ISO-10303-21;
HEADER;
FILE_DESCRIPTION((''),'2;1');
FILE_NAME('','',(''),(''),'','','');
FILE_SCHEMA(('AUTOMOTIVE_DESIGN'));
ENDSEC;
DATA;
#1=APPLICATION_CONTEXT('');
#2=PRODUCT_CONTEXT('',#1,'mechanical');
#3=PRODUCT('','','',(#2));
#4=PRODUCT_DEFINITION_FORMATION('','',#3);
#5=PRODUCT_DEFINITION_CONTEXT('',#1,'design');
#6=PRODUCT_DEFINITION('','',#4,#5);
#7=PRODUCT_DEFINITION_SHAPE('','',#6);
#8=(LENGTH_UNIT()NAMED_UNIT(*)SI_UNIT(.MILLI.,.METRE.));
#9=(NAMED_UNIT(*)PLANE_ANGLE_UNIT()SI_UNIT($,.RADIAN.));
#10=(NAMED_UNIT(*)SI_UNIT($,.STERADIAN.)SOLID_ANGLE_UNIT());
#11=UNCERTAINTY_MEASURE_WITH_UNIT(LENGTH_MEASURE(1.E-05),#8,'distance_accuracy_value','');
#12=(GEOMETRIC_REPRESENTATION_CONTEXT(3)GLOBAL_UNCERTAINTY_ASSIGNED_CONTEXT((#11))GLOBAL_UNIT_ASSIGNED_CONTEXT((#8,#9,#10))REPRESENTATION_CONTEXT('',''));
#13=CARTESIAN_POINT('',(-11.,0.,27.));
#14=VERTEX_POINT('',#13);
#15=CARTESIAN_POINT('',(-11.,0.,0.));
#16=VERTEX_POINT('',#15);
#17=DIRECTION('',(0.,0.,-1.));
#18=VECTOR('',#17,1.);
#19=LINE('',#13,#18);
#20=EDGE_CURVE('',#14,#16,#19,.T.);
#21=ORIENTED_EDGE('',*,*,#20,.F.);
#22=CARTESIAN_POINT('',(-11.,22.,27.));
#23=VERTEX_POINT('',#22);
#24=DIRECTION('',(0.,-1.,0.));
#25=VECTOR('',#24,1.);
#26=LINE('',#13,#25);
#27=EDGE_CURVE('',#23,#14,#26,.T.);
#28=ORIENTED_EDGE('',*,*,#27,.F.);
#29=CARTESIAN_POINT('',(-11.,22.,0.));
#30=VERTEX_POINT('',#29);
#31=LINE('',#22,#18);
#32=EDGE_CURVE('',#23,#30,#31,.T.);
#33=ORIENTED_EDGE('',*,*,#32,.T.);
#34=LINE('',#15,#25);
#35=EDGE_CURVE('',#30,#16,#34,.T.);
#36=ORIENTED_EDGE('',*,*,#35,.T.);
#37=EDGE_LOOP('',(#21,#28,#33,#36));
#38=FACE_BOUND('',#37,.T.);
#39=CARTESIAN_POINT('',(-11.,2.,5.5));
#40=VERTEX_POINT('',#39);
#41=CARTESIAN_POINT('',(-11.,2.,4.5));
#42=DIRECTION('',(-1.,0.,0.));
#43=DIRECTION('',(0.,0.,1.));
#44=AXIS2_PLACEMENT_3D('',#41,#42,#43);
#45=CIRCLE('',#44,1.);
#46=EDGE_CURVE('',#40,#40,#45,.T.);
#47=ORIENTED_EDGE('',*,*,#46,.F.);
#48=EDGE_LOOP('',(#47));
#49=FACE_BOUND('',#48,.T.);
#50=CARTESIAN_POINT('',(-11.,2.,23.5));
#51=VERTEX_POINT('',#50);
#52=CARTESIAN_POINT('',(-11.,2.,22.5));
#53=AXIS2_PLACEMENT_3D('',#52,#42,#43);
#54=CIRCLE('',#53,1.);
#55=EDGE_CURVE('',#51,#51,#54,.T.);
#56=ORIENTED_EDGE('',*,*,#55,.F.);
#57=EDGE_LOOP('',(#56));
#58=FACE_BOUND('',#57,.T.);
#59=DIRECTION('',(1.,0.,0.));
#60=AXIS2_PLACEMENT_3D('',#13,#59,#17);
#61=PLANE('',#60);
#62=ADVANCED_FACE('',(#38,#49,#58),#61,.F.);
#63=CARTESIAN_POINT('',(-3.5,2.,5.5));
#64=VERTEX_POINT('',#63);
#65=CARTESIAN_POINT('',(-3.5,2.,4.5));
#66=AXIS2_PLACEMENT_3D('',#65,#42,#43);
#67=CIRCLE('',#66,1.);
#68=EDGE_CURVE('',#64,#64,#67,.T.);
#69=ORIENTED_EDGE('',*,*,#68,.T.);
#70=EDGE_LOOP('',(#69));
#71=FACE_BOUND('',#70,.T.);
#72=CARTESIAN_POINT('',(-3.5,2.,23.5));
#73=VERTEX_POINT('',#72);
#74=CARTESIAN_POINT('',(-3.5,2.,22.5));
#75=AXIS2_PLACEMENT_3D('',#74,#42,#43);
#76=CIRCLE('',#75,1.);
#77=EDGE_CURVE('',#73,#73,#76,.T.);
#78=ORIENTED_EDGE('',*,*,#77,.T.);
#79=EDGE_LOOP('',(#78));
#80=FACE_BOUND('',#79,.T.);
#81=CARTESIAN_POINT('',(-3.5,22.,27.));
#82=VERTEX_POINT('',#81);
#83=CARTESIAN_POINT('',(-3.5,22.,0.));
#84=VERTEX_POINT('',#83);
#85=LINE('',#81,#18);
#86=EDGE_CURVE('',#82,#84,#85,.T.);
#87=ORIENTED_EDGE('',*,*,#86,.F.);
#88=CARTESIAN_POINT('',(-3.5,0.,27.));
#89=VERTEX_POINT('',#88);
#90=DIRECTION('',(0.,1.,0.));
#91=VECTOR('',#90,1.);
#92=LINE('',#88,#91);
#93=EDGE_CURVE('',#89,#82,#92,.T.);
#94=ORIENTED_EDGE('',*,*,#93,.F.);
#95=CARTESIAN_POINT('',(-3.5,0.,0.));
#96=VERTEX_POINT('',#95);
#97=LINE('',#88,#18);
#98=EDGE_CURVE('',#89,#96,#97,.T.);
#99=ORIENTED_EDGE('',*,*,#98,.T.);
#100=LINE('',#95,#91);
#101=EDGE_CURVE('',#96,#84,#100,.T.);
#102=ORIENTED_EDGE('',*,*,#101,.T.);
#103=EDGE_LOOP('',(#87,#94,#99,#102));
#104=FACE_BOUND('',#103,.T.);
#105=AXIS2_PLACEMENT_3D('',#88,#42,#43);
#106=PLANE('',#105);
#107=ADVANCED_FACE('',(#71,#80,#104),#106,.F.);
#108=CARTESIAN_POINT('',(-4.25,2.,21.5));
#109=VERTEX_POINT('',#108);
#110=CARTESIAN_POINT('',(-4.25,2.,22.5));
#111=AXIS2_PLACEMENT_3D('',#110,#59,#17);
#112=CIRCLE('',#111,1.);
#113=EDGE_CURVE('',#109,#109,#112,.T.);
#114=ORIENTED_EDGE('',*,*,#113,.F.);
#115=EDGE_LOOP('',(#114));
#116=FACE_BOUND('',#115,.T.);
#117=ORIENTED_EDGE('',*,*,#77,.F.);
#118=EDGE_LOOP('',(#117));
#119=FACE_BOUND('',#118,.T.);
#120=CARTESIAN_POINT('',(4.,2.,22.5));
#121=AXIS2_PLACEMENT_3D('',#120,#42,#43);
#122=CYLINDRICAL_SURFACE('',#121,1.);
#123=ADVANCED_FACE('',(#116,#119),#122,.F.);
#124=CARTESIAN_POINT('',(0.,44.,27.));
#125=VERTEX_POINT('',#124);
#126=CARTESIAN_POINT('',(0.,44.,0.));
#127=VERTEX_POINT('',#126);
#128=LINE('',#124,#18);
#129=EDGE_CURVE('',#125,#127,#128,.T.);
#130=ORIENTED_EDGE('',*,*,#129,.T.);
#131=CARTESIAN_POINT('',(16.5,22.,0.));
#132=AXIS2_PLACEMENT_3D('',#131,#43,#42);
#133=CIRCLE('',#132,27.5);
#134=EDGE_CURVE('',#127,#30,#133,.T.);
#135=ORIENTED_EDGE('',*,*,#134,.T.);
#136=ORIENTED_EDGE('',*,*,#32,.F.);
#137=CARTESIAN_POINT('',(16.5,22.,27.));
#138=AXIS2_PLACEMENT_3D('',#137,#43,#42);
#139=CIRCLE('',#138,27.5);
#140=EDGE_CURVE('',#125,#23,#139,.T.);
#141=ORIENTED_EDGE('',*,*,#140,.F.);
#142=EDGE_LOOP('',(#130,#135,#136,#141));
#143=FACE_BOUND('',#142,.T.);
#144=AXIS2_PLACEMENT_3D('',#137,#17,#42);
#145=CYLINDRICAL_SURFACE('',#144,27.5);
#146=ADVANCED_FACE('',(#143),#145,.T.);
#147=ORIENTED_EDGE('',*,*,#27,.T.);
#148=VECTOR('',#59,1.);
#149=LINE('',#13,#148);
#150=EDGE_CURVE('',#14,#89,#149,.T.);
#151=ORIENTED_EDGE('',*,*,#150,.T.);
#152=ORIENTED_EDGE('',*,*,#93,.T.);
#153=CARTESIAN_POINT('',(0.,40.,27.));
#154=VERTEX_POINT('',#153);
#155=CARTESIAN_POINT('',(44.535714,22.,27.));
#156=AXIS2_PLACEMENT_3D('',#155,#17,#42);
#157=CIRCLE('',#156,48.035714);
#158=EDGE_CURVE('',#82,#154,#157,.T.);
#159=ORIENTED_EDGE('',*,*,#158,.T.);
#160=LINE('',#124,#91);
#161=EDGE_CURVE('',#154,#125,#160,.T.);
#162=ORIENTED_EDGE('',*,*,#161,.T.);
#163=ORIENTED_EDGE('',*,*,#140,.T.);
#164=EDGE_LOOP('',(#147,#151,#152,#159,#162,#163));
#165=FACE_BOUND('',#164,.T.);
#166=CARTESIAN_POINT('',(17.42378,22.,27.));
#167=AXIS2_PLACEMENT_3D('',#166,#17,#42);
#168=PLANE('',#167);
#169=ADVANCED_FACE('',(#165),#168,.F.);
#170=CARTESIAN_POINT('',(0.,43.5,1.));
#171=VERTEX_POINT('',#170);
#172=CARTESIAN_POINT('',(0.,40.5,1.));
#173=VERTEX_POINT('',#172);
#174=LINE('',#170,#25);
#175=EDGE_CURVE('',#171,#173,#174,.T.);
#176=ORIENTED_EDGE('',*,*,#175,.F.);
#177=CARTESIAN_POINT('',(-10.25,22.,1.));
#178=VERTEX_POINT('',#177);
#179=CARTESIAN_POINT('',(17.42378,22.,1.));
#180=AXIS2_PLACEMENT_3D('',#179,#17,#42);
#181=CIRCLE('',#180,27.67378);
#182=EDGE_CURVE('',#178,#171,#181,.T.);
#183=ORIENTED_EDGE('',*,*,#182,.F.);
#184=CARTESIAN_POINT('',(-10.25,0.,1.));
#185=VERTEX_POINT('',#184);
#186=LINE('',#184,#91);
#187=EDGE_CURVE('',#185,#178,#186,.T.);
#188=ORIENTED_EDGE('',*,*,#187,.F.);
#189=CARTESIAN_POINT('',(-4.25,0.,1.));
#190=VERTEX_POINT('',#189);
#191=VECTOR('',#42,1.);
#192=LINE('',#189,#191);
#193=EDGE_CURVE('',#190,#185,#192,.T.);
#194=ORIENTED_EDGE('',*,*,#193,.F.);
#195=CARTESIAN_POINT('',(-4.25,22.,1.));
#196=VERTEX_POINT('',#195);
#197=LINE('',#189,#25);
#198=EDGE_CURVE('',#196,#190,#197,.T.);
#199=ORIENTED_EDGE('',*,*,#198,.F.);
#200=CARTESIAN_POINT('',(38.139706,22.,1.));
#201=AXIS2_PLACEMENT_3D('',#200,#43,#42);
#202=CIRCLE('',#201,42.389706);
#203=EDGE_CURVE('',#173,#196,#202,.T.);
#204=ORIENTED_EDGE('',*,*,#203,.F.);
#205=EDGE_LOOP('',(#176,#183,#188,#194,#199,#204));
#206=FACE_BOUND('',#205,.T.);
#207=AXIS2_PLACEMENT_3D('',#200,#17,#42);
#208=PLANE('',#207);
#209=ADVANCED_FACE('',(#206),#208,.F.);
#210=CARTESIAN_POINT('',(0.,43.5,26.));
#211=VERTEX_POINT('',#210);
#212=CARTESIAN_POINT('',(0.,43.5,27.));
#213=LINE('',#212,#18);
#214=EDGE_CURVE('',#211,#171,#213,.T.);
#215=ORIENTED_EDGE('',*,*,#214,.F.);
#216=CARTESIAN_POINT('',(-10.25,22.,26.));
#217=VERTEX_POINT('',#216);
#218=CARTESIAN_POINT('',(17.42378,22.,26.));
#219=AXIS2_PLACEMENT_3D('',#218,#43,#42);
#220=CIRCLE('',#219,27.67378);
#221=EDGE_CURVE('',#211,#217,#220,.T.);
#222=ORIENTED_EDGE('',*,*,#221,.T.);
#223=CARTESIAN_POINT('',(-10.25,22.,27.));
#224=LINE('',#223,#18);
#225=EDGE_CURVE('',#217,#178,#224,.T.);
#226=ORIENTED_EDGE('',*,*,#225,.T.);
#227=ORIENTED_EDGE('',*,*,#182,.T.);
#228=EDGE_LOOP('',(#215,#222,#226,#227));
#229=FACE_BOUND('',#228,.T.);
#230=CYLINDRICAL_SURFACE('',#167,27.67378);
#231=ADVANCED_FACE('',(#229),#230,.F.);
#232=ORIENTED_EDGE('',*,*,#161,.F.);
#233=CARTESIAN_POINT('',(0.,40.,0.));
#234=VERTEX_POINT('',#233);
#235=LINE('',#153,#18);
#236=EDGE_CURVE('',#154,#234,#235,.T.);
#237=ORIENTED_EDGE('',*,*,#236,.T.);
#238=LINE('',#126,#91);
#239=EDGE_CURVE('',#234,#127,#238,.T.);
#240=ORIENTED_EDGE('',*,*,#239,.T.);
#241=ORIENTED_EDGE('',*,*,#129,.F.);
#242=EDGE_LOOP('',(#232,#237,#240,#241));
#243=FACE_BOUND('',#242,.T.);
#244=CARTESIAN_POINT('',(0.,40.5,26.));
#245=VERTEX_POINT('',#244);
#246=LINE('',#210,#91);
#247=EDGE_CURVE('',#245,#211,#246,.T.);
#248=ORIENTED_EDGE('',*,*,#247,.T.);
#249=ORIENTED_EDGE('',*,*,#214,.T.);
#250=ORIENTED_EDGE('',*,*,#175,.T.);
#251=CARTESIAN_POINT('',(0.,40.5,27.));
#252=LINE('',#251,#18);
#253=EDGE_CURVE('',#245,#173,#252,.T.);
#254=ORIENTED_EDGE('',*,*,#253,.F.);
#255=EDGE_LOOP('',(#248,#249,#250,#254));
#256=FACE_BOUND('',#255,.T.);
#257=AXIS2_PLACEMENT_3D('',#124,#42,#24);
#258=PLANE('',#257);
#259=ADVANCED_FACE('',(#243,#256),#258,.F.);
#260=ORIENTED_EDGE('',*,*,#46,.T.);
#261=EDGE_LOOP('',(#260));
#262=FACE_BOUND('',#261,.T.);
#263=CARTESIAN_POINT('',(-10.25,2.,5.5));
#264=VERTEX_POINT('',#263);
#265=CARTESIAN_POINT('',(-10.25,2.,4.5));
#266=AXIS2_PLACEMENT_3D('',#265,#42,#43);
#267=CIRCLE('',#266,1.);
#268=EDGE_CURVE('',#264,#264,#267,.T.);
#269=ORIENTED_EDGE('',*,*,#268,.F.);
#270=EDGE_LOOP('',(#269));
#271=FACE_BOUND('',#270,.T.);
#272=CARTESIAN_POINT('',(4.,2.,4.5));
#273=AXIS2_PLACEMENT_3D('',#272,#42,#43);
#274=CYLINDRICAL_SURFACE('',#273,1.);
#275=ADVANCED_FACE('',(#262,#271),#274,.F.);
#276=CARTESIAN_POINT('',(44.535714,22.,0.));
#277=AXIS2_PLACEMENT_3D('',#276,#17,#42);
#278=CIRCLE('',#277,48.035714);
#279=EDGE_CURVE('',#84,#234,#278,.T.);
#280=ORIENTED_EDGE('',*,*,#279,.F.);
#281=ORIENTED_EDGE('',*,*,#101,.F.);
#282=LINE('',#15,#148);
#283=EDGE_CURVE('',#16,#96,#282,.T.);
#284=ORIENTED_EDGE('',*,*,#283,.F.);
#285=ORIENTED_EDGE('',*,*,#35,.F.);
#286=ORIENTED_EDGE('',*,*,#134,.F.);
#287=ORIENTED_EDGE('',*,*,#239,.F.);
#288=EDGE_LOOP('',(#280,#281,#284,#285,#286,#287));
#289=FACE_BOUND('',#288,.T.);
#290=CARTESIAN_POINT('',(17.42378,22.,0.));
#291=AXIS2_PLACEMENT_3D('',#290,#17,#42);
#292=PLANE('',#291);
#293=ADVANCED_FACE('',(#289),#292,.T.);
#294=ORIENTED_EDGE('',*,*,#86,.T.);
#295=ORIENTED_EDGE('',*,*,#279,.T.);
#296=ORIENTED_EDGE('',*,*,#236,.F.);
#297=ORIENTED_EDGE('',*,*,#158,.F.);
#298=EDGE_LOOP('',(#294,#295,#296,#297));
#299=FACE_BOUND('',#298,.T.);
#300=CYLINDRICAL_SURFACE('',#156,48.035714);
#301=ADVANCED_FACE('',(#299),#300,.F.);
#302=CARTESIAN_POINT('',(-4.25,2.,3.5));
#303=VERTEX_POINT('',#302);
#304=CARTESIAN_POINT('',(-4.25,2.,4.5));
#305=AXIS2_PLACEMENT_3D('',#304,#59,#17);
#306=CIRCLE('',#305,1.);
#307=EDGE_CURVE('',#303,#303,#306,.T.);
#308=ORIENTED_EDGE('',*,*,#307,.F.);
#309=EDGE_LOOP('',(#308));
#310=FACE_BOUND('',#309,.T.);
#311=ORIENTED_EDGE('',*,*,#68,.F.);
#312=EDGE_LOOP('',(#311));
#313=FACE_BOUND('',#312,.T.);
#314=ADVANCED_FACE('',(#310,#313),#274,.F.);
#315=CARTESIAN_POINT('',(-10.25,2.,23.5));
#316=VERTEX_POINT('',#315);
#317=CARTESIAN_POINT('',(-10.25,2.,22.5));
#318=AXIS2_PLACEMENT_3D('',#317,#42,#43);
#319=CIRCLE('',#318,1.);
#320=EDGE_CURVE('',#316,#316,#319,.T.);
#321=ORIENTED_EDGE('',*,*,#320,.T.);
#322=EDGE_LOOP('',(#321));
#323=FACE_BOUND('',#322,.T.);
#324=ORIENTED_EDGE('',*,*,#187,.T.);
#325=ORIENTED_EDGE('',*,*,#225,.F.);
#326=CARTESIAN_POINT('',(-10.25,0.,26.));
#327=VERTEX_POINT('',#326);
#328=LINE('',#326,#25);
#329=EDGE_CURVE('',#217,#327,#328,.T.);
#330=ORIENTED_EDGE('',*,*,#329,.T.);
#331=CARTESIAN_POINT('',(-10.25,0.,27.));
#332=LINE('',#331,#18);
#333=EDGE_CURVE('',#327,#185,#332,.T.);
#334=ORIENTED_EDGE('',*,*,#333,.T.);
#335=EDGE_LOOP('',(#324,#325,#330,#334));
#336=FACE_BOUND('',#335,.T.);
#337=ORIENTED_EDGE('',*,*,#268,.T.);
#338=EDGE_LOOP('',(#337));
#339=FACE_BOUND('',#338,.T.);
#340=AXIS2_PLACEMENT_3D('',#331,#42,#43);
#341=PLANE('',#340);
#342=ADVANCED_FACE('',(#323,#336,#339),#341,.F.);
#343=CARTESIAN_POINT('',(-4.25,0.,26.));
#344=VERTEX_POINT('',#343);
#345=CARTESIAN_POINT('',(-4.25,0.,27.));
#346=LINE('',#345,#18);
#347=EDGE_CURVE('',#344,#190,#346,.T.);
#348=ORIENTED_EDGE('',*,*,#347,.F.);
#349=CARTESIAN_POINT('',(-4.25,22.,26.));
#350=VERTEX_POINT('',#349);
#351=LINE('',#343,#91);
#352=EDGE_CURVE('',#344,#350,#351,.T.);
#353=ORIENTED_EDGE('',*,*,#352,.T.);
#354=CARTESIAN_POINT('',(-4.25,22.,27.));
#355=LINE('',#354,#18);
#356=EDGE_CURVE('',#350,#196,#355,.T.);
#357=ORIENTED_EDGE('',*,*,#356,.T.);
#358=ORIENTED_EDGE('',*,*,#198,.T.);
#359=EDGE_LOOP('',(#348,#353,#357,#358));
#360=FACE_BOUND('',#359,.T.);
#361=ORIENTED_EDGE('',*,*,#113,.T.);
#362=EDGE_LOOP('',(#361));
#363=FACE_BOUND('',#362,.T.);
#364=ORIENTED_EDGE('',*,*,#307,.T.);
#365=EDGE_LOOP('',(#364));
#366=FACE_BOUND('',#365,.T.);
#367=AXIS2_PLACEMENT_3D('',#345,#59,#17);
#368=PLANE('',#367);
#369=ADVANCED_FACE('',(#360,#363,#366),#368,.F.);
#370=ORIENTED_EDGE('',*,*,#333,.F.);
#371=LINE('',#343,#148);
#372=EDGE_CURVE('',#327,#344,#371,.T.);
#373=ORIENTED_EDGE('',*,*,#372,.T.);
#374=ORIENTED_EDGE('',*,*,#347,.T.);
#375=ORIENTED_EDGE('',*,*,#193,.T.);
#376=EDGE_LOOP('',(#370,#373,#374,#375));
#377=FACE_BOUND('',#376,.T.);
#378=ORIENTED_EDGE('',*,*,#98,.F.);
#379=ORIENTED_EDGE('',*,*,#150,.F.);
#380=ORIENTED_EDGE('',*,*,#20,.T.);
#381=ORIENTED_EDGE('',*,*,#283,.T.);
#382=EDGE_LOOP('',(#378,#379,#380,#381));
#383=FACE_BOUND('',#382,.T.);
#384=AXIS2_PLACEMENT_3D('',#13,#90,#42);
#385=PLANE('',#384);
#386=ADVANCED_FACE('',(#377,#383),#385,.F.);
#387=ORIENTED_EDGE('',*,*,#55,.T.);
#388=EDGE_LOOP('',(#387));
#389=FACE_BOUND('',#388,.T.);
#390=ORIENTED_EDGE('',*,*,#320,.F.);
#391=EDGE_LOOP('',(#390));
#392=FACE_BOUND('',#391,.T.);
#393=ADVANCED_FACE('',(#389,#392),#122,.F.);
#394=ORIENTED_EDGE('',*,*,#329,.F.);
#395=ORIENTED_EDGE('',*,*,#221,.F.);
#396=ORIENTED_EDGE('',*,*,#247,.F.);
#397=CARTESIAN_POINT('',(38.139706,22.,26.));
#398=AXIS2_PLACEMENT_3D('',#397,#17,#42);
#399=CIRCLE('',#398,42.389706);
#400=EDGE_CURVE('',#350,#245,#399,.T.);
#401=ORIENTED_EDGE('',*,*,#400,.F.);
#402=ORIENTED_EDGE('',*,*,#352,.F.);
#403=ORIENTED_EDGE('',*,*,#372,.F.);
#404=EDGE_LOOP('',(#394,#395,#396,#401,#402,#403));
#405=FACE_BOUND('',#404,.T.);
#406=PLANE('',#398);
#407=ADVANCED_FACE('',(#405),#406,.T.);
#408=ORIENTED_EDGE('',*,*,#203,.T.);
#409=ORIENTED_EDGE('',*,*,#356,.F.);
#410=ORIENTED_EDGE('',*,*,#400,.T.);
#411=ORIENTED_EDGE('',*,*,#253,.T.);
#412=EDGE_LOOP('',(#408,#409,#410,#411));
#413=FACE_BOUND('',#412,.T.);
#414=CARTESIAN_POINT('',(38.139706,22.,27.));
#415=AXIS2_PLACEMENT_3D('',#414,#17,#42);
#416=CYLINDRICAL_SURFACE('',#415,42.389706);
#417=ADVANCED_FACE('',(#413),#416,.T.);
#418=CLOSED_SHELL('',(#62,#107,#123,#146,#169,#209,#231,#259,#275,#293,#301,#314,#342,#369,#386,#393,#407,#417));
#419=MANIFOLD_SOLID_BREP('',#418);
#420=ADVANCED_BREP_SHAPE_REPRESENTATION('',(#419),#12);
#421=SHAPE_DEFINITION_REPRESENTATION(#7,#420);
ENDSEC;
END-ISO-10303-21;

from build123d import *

# Parameters (mm, degrees)
BOSS_EXTRUDE1_DEPTH   = 27
BOSS_EXTRUDE1_2_DEPTH = 27
BOSS_EXTRUDE2_START   = -1
BOSS_EXTRUDE2_DEPTH   = 1
BOSS_EXTRUDE3_DEPTH   = 1
SKETCH4_R             = 1
CUT_EXTRUDE1_DEPTH    = 15


with BuildPart() as part:
    # Sketch1 → Boss-Extrude1 (new body)
    with BuildSketch(Plane.XY):
        with BuildLine():
            Line((-11, 0), (-11, 22))
            ThreePointArc((-11, 22), (-8.096747752, 34.298373876), (0, 44))
            Line((0, 44), (0, 43.5))
            ThreePointArc((0, 43.5), (-7.556411695, 33.909161389), (-10.25, 22))
            Line((-10.25, 22), (-10.25, 0))
            Line((-10.25, 0), (-11, 0))
        make_face()
    extrude(amount=BOSS_EXTRUDE1_DEPTH)



with BuildPart() as body_2:
    # Sketch1 → Boss-Extrude1 2 (new body)
    with BuildSketch(Plane.XY):
        with BuildLine():
            Line((-3.5, 0), (-3.5, 22))
            ThreePointArc((-3.5, 22), (-2.616882111, 31.16856041), (0, 40))
            Line((0, 40), (0, 40.5))
            ThreePointArc((0, 40.5), (-3.173839594, 31.490949636), (-4.25, 22))
            Line((-4.25, 22), (-4.25, 0))
            Line((-4.25, 0), (-3.5, 0))
        make_face()
    extrude(amount=BOSS_EXTRUDE1_2_DEPTH)


with BuildPart() as part_1:
    add(part.part)

    add(body_2.part)  # Boss-Extrude2 merges body 2
    # Sketch2 → Boss-Extrude2 (add)
    with BuildSketch(Plane.XY.offset(27).offset(BOSS_EXTRUDE2_START)):
        with BuildLine():
            Line((-4.25, 0), (-10.25, 0))
            Line((-10.25, 0), (-10.25, 22))
            ThreePointArc((-10.25, 22), (-7.556411695, 33.909161389), (0, 43.5))
            Line((0, 43.5), (0, 40.5))
            ThreePointArc((0, 40.5), (-3.173839594, 31.490949636), (-4.25, 22))
            Line((-4.25, 22), (-4.25, 0))
        make_face()
    extrude(amount=BOSS_EXTRUDE2_DEPTH)

    # Sketch3 → Boss-Extrude3 (add)
    with BuildSketch(Plane(origin=(0, 0, 0), x_dir=(-1, 0, 0), z_dir=(0, 0, -1))):
        with BuildLine():
            Line((4.25, 0), (10.25, 0))
            Line((10.25, 0), (10.25, 22))
            ThreePointArc((10.25, 22), (7.556411695, 33.909161389), (0, 43.5))
            Line((0, 43.5), (0, 40.5))
            ThreePointArc((0, 40.5), (3.173839594, 31.490949636), (4.25, 22))
            Line((4.25, 22), (4.25, 0))
        make_face()
    extrude(amount=-BOSS_EXTRUDE3_DEPTH)

    # Sketch4 → Cut-Extrude1 (cut)
    with BuildSketch(Plane.ZY.offset(11)):
        with Locations((4.5, 2)):
            Circle(SKETCH4_R)
        with Locations((22.5, 2)):
            Circle(SKETCH4_R)
    extrude(amount=-CUT_EXTRUDE1_DEPTH, mode=Mode.SUBTRACT)


solid = part_1.part
